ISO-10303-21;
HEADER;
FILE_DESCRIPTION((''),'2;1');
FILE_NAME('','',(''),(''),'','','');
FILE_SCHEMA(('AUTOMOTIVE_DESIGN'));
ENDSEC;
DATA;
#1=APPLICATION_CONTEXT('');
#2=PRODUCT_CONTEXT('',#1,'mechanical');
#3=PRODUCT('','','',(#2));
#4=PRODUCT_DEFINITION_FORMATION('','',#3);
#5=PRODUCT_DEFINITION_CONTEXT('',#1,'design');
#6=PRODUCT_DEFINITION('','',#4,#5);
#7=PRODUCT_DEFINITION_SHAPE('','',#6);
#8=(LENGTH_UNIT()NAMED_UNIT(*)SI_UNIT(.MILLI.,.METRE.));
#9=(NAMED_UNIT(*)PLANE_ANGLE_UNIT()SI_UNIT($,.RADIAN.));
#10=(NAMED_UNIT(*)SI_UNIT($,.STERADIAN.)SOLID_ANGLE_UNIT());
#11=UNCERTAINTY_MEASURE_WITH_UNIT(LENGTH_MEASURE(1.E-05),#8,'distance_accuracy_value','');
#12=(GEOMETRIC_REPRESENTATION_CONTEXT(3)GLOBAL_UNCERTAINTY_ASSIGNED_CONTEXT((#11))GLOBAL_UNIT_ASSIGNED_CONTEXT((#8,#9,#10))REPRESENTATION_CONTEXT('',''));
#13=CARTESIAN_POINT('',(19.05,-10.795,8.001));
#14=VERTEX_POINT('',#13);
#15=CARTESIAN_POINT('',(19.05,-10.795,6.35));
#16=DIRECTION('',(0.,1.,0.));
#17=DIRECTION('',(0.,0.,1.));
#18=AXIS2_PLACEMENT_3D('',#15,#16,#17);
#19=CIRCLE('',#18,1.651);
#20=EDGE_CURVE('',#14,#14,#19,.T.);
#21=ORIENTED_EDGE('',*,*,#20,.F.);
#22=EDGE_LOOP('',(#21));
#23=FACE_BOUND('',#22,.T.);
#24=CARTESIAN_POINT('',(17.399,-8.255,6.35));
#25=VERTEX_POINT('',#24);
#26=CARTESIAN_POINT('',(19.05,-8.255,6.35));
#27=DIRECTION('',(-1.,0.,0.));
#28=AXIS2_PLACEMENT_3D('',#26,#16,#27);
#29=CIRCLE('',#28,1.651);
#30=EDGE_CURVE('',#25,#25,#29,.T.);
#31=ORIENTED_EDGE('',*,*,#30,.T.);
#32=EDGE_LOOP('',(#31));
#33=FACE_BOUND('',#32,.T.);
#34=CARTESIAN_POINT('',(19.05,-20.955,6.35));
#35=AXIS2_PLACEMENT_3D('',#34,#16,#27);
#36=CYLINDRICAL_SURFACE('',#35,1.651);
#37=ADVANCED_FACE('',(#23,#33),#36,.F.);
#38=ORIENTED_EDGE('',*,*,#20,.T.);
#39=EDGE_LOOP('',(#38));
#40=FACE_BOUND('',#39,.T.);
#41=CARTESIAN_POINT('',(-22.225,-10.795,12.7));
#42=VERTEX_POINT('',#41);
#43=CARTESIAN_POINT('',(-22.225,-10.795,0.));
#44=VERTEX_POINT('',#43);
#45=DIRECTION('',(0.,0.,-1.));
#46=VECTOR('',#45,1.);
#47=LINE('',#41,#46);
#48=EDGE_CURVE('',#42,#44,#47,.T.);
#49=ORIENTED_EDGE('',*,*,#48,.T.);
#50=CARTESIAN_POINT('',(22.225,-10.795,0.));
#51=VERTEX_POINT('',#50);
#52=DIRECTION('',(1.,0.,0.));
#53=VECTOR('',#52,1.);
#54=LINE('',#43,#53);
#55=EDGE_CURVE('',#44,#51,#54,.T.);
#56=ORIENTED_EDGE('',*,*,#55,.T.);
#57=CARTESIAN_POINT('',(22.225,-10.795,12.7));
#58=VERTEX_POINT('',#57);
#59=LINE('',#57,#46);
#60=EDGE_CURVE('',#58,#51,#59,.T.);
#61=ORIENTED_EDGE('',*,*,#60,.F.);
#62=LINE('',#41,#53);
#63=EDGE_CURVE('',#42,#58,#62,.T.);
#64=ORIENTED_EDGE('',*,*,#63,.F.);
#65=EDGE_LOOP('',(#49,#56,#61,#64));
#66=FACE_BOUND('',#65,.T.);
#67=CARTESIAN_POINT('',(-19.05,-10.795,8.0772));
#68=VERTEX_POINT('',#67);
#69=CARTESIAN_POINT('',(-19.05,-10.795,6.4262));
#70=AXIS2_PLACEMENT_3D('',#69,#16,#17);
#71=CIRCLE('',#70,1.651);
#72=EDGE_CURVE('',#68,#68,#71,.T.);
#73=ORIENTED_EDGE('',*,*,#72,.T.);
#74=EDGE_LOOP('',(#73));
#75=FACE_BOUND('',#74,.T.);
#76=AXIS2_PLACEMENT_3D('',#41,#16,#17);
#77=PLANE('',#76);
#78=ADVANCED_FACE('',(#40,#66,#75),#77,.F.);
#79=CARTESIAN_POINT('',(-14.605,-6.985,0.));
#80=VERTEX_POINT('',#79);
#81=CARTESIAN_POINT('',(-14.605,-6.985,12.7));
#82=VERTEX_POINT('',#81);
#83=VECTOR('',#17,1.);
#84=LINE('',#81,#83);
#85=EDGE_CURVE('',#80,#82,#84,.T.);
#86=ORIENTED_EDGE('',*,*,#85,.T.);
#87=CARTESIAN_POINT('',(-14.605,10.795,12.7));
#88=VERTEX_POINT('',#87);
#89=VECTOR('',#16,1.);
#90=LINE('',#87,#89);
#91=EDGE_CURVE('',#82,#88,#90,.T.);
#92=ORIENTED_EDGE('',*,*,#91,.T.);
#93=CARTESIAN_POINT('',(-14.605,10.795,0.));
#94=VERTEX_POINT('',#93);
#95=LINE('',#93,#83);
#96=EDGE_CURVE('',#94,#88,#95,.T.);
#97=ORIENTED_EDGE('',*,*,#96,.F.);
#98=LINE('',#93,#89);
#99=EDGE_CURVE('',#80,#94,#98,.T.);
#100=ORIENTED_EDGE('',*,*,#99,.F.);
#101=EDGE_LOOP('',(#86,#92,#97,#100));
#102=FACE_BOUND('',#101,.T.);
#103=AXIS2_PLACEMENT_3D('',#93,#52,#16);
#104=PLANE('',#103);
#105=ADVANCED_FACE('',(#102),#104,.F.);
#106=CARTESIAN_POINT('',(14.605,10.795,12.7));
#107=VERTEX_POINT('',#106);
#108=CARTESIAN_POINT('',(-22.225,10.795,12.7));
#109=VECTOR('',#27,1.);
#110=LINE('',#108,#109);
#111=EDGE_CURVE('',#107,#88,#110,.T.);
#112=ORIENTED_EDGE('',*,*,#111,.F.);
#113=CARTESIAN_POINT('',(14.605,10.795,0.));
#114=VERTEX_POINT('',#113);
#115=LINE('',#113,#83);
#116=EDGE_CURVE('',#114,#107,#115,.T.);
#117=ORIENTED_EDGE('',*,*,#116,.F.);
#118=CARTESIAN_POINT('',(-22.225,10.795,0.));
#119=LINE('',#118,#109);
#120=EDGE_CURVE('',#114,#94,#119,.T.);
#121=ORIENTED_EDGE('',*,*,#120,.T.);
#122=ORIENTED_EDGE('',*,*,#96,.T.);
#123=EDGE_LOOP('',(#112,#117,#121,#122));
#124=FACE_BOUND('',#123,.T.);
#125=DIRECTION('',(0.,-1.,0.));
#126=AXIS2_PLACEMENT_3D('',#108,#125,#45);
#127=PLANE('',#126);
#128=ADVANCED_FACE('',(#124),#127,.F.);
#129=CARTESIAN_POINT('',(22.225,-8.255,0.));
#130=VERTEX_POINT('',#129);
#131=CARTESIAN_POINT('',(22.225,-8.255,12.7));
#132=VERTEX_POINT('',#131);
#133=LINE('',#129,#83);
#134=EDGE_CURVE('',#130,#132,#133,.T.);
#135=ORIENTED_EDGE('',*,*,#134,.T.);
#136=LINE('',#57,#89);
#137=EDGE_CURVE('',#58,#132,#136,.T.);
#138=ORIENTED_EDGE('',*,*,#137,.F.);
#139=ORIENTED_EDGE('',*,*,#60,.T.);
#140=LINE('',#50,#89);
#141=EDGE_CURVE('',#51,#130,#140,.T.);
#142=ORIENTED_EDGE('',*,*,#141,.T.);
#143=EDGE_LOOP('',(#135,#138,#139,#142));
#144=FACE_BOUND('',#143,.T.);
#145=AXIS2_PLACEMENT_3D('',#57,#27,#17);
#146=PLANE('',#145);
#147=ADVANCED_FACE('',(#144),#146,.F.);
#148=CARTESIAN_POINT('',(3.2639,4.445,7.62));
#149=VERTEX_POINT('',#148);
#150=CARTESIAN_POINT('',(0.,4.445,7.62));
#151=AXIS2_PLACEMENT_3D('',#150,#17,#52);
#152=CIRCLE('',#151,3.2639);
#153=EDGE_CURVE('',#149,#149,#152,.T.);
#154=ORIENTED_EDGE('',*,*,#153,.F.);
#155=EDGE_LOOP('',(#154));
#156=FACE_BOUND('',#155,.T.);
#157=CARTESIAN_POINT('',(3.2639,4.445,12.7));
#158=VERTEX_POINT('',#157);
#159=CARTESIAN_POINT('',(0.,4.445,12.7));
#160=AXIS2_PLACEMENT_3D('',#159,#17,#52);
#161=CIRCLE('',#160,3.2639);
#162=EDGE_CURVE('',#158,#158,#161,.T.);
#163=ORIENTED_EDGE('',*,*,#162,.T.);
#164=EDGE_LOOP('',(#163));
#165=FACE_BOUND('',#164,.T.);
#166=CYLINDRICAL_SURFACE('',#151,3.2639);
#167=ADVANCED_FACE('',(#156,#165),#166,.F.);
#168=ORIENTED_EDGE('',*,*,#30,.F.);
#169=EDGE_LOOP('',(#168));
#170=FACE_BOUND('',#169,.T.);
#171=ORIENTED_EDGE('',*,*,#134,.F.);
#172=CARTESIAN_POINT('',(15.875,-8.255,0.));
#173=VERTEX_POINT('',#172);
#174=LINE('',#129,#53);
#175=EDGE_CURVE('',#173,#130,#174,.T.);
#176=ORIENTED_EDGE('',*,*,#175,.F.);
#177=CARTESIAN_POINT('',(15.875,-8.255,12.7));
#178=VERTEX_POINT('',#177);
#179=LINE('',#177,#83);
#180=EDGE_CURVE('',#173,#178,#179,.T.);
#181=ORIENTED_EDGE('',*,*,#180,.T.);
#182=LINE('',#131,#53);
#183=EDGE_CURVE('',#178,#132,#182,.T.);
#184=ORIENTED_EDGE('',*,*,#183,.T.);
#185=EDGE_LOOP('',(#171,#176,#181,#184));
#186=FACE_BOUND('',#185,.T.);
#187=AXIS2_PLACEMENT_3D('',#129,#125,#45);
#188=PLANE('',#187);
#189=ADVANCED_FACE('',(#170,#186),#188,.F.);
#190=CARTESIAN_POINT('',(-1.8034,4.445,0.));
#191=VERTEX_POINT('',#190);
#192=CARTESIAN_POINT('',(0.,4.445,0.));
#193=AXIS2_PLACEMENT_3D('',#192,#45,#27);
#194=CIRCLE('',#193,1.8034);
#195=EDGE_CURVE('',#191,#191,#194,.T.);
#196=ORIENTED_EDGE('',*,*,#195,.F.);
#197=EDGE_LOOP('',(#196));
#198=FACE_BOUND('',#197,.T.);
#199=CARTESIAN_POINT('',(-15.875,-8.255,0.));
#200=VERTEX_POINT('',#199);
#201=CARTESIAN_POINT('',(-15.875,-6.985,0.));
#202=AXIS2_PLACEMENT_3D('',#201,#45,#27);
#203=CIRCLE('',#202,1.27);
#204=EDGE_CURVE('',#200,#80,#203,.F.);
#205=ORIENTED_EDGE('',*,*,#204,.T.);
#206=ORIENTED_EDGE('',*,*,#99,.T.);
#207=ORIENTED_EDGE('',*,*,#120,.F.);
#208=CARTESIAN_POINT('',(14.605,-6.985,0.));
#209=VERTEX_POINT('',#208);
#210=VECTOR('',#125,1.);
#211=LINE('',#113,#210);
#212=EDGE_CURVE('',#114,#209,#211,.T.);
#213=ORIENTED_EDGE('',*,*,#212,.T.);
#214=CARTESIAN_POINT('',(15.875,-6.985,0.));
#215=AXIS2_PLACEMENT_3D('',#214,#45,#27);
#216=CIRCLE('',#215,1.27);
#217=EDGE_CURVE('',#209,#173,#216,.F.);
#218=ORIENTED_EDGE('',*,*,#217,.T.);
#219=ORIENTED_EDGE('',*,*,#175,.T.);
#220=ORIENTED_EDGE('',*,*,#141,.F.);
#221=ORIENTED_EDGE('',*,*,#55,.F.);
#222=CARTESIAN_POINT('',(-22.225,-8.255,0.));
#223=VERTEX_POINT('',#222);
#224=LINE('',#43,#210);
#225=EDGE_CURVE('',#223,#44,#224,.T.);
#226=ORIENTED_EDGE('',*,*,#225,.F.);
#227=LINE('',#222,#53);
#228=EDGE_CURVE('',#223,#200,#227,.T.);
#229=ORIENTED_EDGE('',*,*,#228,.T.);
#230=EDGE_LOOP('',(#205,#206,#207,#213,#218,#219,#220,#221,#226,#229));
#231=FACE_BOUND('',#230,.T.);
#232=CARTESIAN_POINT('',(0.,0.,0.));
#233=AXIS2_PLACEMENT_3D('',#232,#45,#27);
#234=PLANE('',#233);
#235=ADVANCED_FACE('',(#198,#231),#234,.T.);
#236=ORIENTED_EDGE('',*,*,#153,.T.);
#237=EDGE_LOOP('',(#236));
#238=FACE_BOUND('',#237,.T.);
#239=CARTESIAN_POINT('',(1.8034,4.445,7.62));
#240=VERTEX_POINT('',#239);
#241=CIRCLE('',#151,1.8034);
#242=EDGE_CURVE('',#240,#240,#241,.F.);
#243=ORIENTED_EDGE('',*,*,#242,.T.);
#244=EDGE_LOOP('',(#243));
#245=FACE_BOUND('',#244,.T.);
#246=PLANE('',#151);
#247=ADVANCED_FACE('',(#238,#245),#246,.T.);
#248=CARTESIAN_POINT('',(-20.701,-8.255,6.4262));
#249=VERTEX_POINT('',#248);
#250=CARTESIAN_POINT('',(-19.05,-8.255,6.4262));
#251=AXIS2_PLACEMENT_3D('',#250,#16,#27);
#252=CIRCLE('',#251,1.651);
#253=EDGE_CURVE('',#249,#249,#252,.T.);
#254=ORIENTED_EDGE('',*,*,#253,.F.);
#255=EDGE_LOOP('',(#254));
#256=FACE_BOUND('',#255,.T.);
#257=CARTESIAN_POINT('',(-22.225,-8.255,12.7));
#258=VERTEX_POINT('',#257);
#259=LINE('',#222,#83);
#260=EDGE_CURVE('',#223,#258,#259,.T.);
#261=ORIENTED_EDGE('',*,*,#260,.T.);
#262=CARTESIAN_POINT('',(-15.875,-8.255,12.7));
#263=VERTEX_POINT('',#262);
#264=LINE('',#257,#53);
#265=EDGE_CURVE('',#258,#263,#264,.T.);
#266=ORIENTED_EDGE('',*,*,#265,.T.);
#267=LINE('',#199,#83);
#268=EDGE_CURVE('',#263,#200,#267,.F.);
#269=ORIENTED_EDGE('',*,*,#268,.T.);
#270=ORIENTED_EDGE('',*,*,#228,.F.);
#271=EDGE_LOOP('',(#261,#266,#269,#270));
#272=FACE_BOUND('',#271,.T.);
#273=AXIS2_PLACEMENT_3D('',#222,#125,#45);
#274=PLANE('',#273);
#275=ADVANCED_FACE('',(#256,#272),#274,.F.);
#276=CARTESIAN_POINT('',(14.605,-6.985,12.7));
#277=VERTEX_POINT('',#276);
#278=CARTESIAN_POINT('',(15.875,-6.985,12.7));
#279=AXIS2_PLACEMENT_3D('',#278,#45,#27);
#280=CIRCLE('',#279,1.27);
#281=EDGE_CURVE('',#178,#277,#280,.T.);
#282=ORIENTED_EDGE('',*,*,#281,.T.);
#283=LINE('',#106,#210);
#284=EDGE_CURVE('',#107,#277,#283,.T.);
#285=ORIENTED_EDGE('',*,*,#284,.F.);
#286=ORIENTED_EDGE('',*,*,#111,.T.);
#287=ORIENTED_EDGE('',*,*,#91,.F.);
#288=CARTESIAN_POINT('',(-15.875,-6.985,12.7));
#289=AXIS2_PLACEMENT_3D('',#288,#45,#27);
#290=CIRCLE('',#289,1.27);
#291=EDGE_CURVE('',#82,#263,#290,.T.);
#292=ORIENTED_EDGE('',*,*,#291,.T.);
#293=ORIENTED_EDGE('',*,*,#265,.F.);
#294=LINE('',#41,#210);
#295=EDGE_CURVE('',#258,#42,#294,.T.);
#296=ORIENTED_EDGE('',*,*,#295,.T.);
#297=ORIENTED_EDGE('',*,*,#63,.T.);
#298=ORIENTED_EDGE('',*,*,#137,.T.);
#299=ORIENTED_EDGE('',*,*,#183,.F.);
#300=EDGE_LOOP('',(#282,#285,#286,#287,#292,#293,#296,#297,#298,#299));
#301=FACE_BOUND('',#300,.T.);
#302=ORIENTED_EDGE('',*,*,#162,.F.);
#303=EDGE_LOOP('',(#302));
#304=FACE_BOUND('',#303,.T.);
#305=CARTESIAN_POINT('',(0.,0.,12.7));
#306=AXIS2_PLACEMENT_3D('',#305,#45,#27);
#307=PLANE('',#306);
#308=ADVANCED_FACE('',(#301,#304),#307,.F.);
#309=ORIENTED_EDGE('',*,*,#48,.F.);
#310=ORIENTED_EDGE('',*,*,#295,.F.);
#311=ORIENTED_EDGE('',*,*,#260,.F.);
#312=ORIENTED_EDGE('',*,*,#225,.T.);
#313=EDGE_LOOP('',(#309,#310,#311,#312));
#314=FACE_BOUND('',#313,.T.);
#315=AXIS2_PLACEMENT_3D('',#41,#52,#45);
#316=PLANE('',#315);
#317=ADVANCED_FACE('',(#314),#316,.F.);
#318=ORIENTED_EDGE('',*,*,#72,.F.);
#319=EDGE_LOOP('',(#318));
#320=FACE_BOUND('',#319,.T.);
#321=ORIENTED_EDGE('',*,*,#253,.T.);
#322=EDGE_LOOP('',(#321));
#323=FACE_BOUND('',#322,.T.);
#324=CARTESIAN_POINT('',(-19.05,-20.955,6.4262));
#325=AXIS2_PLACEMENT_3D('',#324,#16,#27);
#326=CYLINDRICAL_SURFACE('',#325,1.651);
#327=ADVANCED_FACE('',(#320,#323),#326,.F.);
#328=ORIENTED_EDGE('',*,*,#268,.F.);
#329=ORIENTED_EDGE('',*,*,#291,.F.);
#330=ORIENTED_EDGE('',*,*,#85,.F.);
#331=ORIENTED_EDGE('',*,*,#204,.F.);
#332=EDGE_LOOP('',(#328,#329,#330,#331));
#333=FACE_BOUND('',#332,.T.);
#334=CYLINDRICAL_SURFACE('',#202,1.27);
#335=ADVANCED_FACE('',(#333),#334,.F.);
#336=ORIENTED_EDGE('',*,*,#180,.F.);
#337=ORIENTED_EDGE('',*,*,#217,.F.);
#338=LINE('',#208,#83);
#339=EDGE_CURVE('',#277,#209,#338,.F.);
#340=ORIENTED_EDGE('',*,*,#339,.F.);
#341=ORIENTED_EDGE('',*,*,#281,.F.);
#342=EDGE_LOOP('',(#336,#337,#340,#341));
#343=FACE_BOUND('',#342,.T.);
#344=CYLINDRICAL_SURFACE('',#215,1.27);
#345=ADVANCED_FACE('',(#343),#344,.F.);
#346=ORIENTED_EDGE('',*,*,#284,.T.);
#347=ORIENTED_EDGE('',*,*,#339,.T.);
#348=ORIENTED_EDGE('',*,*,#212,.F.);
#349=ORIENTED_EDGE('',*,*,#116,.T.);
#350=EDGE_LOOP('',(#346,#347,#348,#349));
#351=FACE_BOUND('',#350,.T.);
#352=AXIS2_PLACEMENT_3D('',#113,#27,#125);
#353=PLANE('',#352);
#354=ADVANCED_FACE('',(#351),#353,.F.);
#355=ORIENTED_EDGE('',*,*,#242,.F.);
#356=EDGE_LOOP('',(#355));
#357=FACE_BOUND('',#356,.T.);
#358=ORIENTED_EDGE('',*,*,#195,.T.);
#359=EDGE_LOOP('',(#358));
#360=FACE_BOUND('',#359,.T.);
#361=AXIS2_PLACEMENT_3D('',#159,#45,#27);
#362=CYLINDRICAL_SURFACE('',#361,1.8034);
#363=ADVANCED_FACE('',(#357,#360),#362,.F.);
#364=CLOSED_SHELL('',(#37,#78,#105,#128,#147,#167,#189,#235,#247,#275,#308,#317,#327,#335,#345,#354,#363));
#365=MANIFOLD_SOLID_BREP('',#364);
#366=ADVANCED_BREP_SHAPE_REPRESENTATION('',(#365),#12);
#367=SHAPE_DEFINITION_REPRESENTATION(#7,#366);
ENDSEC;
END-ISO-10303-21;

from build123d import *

# Parameters (mm, degrees)
SKETCH1_W           = 44.45
SKETCH1_H           = 21.59
BOSS_EXTRUDE1_DEPTH = 12.7
SKETCH2_W           = 7.62
SKETCH2_H           = 19.05
CUT_EXTRUDE1_DEPTH  = 12.7
FILLET1_R           = 1.27
FILLET2_R           = 1.27
SKETCH4_R           = 1.651
CUT_EXTRUDE3_DEPTH  = 12.7
SKETCH5_R           = 1.8034
CUT_EXTRUDE4_DEPTH  = 12.7
SKETCH6_R           = 3.2639
CUT_EXTRUDE5_DEPTH  = 5.08


with BuildPart() as part:
    # Sketch1 → Boss-Extrude1 (new body)
    with BuildSketch(Plane.XY):
        Rectangle(SKETCH1_W, SKETCH1_H)
    extrude(amount=BOSS_EXTRUDE1_DEPTH)

    # Sketch2 → Cut-Extrude1 (cut)
    with BuildSketch(Plane.XY.offset(12.7)):
        with Locations((-18.415, 1.27)):
            Rectangle(SKETCH2_W, SKETCH2_H)
        with Locations((18.415, 1.27)):
            Rectangle(SKETCH2_W, SKETCH2_H)
    extrude(amount=-CUT_EXTRUDE1_DEPTH, mode=Mode.SUBTRACT)

    # Fillet1
    fillet1_edges = [part.edges().sort_by_distance(p)[0] for p in [
        (-14.605, -8.255, 6.35),
    ]]
    fillet(fillet1_edges, radius=FILLET1_R)

    # Fillet2
    fillet2_edges = [part.edges().sort_by_distance(p)[0] for p in [
        (14.605, -8.255, 6.35),
    ]]
    fillet(fillet2_edges, radius=FILLET2_R)

    # Sketch4 → Cut-Extrude3 (cut)
    with BuildSketch(Plane(origin=(0, -8.255, 0), x_dir=(1, 0, 0), z_dir=(0, 1, 0))):
        with Locations(Location((19.05, -6.35, 0), (0, 0, 180))):
            Circle(SKETCH4_R)
        with Locations(Location((-19.05, -6.4262, 0), (0, 0, 180))):
            Circle(SKETCH4_R)
    extrude(amount=-CUT_EXTRUDE3_DEPTH, mode=Mode.SUBTRACT)

    # Sketch5 → Cut-Extrude4 (cut)
    with BuildSketch(Plane(origin=(0, 0, 0), x_dir=(-1, 0, 0), z_dir=(0, 0, -1))):
        with Locations((0, 4.445)):
            Circle(SKETCH5_R)
    extrude(amount=-CUT_EXTRUDE4_DEPTH, mode=Mode.SUBTRACT)

    # Sketch6 → Cut-Extrude5 (cut)
    with BuildSketch(Plane.XY.offset(12.7)):
        with Locations((0, 4.445)):
            Circle(SKETCH6_R)
    extrude(amount=-CUT_EXTRUDE5_DEPTH, mode=Mode.SUBTRACT)


solid = part.part
